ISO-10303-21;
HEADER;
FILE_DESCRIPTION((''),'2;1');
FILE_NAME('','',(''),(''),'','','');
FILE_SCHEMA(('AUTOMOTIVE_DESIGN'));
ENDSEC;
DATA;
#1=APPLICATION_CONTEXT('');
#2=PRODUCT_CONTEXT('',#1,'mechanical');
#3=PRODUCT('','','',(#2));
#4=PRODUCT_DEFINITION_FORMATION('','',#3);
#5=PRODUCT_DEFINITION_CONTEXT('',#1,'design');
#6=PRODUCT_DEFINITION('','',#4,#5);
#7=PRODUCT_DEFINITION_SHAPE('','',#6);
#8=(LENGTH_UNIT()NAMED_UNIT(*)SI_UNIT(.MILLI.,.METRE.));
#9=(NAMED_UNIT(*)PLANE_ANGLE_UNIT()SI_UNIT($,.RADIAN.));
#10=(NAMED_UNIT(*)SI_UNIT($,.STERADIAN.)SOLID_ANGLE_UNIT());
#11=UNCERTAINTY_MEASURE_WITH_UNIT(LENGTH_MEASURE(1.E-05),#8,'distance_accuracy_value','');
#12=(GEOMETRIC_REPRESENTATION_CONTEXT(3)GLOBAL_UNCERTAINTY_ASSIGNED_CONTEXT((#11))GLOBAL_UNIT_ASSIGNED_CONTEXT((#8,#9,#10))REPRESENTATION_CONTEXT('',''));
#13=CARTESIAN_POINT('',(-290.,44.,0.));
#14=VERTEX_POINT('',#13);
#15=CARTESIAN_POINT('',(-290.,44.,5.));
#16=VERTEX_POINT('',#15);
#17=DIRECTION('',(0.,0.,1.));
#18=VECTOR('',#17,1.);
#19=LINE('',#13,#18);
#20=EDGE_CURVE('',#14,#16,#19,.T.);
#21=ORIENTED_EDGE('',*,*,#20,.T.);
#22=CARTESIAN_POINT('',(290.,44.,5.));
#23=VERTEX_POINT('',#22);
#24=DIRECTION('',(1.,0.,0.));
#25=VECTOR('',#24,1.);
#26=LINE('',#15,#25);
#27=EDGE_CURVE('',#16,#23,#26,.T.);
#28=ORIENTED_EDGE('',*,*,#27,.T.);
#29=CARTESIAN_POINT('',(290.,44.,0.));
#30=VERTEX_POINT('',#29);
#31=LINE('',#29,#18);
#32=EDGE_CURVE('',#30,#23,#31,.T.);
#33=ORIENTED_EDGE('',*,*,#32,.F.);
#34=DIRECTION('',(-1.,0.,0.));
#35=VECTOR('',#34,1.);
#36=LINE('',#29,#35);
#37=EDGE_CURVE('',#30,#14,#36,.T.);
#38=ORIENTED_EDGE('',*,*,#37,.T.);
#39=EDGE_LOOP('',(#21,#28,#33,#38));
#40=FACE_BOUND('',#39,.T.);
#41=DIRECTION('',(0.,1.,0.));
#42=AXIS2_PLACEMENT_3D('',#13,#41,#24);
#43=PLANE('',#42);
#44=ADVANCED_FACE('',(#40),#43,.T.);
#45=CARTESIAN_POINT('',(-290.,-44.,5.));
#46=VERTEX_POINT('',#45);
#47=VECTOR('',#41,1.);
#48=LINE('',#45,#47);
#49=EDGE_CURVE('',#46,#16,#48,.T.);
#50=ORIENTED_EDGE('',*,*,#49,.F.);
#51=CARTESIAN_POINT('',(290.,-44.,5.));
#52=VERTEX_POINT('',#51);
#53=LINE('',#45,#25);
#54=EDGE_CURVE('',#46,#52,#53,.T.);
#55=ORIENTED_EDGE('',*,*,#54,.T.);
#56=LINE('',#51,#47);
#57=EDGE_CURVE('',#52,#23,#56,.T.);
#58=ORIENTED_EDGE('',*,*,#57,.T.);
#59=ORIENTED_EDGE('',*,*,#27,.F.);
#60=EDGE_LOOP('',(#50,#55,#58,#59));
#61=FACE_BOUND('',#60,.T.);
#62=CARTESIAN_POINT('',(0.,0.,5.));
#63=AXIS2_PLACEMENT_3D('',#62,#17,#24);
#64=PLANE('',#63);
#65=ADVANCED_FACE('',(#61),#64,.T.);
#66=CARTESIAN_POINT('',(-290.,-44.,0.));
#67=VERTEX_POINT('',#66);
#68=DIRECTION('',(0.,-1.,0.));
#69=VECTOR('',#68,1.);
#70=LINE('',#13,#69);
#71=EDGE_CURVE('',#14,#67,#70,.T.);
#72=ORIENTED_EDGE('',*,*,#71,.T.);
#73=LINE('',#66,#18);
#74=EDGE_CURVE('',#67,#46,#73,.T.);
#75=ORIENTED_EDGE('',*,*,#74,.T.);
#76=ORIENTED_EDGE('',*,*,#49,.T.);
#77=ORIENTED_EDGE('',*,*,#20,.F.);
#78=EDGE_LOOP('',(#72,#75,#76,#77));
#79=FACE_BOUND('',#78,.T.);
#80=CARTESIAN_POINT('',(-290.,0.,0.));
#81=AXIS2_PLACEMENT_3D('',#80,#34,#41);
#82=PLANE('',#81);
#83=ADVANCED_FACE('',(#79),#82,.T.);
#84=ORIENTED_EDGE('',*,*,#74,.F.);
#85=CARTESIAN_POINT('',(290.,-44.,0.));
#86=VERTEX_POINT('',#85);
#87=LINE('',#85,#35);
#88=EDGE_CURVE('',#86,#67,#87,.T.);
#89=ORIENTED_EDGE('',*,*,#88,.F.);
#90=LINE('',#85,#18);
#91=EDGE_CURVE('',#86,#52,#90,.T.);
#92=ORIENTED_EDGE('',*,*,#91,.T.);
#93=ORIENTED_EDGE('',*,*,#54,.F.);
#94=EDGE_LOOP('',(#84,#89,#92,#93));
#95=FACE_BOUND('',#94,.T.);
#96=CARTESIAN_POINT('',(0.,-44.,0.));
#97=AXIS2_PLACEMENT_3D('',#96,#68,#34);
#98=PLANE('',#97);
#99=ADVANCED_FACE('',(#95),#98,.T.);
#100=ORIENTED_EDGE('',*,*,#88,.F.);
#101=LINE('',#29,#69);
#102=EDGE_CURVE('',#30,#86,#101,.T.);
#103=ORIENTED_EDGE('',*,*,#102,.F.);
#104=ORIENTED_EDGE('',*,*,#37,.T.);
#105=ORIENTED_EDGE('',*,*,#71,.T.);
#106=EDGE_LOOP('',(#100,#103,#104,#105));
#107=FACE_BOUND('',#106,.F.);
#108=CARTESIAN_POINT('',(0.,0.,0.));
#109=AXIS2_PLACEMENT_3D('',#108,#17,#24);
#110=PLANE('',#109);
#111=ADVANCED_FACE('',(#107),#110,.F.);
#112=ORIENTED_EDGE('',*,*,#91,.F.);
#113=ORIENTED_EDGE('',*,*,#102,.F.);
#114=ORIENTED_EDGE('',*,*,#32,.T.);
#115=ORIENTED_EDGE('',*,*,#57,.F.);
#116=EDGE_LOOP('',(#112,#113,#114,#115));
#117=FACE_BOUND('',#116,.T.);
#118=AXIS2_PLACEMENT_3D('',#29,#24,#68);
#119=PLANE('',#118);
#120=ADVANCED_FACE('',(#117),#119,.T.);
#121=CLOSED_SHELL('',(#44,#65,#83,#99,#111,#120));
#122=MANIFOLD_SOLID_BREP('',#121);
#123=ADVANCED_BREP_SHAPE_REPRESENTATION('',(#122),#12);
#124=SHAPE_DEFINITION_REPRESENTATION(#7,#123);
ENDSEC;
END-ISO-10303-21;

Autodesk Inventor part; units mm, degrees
ref_plane "YZ Plane" through (0, 0, 0) normal (1, 0, 0) x (0, 1, 0)
ref_plane "XZ Plane" through (0, 0, 0) normal (0, 1, 0) x (-1, 0, 0)
ref_plane "XY Plane" through (0, 0, 0) normal (0, 0, 1) x (1, 0, 0)
sketch "Эскиз1" plane through (0, 0, 0) normal (0, 0, 1) x (1, 0, 0)
  line L0 (-290, 44) -> (290, 44)
  line L1 (290, 44) -> (290, -44)
  line L2 (290, -44) -> (-290, -44)
  line L3 (-290, -44) -> (-290, 44)
  line L4 (-406, 0) -> (406, 0) projected
  line L5 (0, -61.6) -> (0, 61.6) projected
  point P0 (0, 0)
  dimension "d0" = 580
  dimension "d1" = 88
extrude "Выдавливание1" add sketch "Эскиз1" along normal blind 5
properties part number "боковой кожух"
